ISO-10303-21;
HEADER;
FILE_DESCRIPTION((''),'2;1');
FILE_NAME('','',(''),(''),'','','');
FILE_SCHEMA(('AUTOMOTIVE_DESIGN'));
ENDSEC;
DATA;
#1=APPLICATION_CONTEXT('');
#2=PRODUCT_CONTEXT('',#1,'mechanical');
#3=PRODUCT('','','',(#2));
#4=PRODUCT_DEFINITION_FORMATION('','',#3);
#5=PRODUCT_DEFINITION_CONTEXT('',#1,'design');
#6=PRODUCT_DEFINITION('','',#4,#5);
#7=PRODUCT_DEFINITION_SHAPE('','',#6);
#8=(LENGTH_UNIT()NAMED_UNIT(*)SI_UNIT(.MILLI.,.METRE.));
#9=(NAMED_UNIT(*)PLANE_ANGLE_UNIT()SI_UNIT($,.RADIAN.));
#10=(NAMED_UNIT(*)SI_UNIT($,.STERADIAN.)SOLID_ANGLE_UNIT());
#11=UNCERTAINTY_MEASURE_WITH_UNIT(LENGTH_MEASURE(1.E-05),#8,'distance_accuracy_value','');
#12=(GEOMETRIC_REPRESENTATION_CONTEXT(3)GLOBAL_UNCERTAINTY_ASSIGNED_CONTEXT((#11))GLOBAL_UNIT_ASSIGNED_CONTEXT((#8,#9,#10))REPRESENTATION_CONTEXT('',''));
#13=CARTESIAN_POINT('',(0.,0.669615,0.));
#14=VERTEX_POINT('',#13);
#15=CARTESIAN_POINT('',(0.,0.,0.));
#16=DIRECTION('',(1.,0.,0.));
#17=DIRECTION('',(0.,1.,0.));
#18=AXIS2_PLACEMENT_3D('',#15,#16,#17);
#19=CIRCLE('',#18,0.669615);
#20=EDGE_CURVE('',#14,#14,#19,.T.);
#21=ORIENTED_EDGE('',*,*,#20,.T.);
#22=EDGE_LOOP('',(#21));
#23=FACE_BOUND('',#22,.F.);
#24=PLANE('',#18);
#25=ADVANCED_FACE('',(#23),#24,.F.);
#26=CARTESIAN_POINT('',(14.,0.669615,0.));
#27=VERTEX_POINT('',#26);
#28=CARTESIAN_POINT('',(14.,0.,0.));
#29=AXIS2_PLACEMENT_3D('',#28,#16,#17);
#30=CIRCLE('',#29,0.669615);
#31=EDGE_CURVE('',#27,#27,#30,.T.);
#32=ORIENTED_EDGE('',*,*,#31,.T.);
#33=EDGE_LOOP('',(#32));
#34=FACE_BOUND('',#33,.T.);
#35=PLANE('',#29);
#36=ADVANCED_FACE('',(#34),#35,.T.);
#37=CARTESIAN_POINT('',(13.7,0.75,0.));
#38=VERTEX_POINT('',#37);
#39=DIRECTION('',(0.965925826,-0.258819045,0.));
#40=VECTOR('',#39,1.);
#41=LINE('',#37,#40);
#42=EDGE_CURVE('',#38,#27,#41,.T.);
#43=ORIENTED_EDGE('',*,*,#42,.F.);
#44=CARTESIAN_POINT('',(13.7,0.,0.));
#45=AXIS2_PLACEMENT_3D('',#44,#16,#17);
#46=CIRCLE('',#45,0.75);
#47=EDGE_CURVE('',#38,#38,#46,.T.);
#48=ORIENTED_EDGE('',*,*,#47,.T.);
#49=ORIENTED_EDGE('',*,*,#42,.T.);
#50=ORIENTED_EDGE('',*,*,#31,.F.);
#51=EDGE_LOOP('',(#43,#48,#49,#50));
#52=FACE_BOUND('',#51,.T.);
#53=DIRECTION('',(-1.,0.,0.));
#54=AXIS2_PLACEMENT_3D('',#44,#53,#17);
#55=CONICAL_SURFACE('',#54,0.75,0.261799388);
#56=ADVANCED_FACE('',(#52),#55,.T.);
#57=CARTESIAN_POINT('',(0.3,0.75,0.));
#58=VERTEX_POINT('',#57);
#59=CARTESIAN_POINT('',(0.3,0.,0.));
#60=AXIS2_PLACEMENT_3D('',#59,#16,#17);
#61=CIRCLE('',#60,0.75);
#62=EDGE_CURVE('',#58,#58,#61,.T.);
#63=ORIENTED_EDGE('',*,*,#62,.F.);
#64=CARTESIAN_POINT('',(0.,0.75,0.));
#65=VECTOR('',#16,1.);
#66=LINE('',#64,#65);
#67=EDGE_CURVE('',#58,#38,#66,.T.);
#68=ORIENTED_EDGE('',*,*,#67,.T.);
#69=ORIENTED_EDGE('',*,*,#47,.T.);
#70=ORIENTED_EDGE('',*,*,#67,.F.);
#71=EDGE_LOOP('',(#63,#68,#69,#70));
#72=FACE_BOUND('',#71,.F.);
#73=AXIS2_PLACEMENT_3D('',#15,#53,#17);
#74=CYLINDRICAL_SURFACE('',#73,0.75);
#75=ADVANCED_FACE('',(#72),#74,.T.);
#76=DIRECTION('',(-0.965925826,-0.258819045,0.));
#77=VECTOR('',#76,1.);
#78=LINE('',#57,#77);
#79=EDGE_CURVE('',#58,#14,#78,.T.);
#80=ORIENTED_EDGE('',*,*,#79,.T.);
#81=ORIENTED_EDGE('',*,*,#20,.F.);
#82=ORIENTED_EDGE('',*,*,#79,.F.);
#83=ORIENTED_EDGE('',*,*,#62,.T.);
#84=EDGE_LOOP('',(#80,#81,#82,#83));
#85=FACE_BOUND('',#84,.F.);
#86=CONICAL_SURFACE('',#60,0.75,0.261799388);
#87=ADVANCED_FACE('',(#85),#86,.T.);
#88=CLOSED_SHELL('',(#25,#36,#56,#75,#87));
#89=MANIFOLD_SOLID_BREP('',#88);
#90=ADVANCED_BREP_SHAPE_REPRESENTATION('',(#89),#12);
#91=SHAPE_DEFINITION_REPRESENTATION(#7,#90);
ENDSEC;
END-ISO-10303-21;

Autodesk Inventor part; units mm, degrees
ref_plane "YZ Plane" through (0, 0, 0) normal (1, 0, 0) x (0, 1, 0)
ref_plane "XZ Plane" through (0, 0, 0) normal (0, 1, 0) x (-1, 0, 0)
ref_plane "XY Plane" through (0, 0, 0) normal (0, 0, 1) x (1, 0, 0)
sketch "Skizze" plane through (0, 0, 0) normal (1, 0, 0) x (0, 1, 0)
  circle A0 centre (0, 0) radius 0.75
  dimension "d1" = 1.5
extrude "Körper" add sketch "Skizze" along normal blind 14
chamfer "Fase1" distance 0.3 angle 15 1 edges at (0, -0.75, 0) measured on face at (9.3333, 0.7403, -0.1203)
chamfer "Skizze2" distance 0.3 angle 15 1 edges at (14, -0.75, 0) measured on face at (9.4333, 0.7476, -0.0603)
equation "\"d1\" = NND"
equation "\"d2\" = NLG"
equation "\"d8\" = PHH"
equation "\"d9\" = FAWI"
equation "\"d12\" = PHH"
equation "\"d4\" = PHH"
equation "\"d5\" = FAWI"
equation "\"d11\" = PHH"
equation "\"NND\" = 1.5"
equation "\"NLG\" = 14"
equation "\"PHH\" = 0.3"
equation "\"FAWI\" = 15deg"
equation "\"KAH\" = 0"
properties part number "ISO 2338 - 1,5 h8 x 14" material "Edelstahl, austenitisch"
